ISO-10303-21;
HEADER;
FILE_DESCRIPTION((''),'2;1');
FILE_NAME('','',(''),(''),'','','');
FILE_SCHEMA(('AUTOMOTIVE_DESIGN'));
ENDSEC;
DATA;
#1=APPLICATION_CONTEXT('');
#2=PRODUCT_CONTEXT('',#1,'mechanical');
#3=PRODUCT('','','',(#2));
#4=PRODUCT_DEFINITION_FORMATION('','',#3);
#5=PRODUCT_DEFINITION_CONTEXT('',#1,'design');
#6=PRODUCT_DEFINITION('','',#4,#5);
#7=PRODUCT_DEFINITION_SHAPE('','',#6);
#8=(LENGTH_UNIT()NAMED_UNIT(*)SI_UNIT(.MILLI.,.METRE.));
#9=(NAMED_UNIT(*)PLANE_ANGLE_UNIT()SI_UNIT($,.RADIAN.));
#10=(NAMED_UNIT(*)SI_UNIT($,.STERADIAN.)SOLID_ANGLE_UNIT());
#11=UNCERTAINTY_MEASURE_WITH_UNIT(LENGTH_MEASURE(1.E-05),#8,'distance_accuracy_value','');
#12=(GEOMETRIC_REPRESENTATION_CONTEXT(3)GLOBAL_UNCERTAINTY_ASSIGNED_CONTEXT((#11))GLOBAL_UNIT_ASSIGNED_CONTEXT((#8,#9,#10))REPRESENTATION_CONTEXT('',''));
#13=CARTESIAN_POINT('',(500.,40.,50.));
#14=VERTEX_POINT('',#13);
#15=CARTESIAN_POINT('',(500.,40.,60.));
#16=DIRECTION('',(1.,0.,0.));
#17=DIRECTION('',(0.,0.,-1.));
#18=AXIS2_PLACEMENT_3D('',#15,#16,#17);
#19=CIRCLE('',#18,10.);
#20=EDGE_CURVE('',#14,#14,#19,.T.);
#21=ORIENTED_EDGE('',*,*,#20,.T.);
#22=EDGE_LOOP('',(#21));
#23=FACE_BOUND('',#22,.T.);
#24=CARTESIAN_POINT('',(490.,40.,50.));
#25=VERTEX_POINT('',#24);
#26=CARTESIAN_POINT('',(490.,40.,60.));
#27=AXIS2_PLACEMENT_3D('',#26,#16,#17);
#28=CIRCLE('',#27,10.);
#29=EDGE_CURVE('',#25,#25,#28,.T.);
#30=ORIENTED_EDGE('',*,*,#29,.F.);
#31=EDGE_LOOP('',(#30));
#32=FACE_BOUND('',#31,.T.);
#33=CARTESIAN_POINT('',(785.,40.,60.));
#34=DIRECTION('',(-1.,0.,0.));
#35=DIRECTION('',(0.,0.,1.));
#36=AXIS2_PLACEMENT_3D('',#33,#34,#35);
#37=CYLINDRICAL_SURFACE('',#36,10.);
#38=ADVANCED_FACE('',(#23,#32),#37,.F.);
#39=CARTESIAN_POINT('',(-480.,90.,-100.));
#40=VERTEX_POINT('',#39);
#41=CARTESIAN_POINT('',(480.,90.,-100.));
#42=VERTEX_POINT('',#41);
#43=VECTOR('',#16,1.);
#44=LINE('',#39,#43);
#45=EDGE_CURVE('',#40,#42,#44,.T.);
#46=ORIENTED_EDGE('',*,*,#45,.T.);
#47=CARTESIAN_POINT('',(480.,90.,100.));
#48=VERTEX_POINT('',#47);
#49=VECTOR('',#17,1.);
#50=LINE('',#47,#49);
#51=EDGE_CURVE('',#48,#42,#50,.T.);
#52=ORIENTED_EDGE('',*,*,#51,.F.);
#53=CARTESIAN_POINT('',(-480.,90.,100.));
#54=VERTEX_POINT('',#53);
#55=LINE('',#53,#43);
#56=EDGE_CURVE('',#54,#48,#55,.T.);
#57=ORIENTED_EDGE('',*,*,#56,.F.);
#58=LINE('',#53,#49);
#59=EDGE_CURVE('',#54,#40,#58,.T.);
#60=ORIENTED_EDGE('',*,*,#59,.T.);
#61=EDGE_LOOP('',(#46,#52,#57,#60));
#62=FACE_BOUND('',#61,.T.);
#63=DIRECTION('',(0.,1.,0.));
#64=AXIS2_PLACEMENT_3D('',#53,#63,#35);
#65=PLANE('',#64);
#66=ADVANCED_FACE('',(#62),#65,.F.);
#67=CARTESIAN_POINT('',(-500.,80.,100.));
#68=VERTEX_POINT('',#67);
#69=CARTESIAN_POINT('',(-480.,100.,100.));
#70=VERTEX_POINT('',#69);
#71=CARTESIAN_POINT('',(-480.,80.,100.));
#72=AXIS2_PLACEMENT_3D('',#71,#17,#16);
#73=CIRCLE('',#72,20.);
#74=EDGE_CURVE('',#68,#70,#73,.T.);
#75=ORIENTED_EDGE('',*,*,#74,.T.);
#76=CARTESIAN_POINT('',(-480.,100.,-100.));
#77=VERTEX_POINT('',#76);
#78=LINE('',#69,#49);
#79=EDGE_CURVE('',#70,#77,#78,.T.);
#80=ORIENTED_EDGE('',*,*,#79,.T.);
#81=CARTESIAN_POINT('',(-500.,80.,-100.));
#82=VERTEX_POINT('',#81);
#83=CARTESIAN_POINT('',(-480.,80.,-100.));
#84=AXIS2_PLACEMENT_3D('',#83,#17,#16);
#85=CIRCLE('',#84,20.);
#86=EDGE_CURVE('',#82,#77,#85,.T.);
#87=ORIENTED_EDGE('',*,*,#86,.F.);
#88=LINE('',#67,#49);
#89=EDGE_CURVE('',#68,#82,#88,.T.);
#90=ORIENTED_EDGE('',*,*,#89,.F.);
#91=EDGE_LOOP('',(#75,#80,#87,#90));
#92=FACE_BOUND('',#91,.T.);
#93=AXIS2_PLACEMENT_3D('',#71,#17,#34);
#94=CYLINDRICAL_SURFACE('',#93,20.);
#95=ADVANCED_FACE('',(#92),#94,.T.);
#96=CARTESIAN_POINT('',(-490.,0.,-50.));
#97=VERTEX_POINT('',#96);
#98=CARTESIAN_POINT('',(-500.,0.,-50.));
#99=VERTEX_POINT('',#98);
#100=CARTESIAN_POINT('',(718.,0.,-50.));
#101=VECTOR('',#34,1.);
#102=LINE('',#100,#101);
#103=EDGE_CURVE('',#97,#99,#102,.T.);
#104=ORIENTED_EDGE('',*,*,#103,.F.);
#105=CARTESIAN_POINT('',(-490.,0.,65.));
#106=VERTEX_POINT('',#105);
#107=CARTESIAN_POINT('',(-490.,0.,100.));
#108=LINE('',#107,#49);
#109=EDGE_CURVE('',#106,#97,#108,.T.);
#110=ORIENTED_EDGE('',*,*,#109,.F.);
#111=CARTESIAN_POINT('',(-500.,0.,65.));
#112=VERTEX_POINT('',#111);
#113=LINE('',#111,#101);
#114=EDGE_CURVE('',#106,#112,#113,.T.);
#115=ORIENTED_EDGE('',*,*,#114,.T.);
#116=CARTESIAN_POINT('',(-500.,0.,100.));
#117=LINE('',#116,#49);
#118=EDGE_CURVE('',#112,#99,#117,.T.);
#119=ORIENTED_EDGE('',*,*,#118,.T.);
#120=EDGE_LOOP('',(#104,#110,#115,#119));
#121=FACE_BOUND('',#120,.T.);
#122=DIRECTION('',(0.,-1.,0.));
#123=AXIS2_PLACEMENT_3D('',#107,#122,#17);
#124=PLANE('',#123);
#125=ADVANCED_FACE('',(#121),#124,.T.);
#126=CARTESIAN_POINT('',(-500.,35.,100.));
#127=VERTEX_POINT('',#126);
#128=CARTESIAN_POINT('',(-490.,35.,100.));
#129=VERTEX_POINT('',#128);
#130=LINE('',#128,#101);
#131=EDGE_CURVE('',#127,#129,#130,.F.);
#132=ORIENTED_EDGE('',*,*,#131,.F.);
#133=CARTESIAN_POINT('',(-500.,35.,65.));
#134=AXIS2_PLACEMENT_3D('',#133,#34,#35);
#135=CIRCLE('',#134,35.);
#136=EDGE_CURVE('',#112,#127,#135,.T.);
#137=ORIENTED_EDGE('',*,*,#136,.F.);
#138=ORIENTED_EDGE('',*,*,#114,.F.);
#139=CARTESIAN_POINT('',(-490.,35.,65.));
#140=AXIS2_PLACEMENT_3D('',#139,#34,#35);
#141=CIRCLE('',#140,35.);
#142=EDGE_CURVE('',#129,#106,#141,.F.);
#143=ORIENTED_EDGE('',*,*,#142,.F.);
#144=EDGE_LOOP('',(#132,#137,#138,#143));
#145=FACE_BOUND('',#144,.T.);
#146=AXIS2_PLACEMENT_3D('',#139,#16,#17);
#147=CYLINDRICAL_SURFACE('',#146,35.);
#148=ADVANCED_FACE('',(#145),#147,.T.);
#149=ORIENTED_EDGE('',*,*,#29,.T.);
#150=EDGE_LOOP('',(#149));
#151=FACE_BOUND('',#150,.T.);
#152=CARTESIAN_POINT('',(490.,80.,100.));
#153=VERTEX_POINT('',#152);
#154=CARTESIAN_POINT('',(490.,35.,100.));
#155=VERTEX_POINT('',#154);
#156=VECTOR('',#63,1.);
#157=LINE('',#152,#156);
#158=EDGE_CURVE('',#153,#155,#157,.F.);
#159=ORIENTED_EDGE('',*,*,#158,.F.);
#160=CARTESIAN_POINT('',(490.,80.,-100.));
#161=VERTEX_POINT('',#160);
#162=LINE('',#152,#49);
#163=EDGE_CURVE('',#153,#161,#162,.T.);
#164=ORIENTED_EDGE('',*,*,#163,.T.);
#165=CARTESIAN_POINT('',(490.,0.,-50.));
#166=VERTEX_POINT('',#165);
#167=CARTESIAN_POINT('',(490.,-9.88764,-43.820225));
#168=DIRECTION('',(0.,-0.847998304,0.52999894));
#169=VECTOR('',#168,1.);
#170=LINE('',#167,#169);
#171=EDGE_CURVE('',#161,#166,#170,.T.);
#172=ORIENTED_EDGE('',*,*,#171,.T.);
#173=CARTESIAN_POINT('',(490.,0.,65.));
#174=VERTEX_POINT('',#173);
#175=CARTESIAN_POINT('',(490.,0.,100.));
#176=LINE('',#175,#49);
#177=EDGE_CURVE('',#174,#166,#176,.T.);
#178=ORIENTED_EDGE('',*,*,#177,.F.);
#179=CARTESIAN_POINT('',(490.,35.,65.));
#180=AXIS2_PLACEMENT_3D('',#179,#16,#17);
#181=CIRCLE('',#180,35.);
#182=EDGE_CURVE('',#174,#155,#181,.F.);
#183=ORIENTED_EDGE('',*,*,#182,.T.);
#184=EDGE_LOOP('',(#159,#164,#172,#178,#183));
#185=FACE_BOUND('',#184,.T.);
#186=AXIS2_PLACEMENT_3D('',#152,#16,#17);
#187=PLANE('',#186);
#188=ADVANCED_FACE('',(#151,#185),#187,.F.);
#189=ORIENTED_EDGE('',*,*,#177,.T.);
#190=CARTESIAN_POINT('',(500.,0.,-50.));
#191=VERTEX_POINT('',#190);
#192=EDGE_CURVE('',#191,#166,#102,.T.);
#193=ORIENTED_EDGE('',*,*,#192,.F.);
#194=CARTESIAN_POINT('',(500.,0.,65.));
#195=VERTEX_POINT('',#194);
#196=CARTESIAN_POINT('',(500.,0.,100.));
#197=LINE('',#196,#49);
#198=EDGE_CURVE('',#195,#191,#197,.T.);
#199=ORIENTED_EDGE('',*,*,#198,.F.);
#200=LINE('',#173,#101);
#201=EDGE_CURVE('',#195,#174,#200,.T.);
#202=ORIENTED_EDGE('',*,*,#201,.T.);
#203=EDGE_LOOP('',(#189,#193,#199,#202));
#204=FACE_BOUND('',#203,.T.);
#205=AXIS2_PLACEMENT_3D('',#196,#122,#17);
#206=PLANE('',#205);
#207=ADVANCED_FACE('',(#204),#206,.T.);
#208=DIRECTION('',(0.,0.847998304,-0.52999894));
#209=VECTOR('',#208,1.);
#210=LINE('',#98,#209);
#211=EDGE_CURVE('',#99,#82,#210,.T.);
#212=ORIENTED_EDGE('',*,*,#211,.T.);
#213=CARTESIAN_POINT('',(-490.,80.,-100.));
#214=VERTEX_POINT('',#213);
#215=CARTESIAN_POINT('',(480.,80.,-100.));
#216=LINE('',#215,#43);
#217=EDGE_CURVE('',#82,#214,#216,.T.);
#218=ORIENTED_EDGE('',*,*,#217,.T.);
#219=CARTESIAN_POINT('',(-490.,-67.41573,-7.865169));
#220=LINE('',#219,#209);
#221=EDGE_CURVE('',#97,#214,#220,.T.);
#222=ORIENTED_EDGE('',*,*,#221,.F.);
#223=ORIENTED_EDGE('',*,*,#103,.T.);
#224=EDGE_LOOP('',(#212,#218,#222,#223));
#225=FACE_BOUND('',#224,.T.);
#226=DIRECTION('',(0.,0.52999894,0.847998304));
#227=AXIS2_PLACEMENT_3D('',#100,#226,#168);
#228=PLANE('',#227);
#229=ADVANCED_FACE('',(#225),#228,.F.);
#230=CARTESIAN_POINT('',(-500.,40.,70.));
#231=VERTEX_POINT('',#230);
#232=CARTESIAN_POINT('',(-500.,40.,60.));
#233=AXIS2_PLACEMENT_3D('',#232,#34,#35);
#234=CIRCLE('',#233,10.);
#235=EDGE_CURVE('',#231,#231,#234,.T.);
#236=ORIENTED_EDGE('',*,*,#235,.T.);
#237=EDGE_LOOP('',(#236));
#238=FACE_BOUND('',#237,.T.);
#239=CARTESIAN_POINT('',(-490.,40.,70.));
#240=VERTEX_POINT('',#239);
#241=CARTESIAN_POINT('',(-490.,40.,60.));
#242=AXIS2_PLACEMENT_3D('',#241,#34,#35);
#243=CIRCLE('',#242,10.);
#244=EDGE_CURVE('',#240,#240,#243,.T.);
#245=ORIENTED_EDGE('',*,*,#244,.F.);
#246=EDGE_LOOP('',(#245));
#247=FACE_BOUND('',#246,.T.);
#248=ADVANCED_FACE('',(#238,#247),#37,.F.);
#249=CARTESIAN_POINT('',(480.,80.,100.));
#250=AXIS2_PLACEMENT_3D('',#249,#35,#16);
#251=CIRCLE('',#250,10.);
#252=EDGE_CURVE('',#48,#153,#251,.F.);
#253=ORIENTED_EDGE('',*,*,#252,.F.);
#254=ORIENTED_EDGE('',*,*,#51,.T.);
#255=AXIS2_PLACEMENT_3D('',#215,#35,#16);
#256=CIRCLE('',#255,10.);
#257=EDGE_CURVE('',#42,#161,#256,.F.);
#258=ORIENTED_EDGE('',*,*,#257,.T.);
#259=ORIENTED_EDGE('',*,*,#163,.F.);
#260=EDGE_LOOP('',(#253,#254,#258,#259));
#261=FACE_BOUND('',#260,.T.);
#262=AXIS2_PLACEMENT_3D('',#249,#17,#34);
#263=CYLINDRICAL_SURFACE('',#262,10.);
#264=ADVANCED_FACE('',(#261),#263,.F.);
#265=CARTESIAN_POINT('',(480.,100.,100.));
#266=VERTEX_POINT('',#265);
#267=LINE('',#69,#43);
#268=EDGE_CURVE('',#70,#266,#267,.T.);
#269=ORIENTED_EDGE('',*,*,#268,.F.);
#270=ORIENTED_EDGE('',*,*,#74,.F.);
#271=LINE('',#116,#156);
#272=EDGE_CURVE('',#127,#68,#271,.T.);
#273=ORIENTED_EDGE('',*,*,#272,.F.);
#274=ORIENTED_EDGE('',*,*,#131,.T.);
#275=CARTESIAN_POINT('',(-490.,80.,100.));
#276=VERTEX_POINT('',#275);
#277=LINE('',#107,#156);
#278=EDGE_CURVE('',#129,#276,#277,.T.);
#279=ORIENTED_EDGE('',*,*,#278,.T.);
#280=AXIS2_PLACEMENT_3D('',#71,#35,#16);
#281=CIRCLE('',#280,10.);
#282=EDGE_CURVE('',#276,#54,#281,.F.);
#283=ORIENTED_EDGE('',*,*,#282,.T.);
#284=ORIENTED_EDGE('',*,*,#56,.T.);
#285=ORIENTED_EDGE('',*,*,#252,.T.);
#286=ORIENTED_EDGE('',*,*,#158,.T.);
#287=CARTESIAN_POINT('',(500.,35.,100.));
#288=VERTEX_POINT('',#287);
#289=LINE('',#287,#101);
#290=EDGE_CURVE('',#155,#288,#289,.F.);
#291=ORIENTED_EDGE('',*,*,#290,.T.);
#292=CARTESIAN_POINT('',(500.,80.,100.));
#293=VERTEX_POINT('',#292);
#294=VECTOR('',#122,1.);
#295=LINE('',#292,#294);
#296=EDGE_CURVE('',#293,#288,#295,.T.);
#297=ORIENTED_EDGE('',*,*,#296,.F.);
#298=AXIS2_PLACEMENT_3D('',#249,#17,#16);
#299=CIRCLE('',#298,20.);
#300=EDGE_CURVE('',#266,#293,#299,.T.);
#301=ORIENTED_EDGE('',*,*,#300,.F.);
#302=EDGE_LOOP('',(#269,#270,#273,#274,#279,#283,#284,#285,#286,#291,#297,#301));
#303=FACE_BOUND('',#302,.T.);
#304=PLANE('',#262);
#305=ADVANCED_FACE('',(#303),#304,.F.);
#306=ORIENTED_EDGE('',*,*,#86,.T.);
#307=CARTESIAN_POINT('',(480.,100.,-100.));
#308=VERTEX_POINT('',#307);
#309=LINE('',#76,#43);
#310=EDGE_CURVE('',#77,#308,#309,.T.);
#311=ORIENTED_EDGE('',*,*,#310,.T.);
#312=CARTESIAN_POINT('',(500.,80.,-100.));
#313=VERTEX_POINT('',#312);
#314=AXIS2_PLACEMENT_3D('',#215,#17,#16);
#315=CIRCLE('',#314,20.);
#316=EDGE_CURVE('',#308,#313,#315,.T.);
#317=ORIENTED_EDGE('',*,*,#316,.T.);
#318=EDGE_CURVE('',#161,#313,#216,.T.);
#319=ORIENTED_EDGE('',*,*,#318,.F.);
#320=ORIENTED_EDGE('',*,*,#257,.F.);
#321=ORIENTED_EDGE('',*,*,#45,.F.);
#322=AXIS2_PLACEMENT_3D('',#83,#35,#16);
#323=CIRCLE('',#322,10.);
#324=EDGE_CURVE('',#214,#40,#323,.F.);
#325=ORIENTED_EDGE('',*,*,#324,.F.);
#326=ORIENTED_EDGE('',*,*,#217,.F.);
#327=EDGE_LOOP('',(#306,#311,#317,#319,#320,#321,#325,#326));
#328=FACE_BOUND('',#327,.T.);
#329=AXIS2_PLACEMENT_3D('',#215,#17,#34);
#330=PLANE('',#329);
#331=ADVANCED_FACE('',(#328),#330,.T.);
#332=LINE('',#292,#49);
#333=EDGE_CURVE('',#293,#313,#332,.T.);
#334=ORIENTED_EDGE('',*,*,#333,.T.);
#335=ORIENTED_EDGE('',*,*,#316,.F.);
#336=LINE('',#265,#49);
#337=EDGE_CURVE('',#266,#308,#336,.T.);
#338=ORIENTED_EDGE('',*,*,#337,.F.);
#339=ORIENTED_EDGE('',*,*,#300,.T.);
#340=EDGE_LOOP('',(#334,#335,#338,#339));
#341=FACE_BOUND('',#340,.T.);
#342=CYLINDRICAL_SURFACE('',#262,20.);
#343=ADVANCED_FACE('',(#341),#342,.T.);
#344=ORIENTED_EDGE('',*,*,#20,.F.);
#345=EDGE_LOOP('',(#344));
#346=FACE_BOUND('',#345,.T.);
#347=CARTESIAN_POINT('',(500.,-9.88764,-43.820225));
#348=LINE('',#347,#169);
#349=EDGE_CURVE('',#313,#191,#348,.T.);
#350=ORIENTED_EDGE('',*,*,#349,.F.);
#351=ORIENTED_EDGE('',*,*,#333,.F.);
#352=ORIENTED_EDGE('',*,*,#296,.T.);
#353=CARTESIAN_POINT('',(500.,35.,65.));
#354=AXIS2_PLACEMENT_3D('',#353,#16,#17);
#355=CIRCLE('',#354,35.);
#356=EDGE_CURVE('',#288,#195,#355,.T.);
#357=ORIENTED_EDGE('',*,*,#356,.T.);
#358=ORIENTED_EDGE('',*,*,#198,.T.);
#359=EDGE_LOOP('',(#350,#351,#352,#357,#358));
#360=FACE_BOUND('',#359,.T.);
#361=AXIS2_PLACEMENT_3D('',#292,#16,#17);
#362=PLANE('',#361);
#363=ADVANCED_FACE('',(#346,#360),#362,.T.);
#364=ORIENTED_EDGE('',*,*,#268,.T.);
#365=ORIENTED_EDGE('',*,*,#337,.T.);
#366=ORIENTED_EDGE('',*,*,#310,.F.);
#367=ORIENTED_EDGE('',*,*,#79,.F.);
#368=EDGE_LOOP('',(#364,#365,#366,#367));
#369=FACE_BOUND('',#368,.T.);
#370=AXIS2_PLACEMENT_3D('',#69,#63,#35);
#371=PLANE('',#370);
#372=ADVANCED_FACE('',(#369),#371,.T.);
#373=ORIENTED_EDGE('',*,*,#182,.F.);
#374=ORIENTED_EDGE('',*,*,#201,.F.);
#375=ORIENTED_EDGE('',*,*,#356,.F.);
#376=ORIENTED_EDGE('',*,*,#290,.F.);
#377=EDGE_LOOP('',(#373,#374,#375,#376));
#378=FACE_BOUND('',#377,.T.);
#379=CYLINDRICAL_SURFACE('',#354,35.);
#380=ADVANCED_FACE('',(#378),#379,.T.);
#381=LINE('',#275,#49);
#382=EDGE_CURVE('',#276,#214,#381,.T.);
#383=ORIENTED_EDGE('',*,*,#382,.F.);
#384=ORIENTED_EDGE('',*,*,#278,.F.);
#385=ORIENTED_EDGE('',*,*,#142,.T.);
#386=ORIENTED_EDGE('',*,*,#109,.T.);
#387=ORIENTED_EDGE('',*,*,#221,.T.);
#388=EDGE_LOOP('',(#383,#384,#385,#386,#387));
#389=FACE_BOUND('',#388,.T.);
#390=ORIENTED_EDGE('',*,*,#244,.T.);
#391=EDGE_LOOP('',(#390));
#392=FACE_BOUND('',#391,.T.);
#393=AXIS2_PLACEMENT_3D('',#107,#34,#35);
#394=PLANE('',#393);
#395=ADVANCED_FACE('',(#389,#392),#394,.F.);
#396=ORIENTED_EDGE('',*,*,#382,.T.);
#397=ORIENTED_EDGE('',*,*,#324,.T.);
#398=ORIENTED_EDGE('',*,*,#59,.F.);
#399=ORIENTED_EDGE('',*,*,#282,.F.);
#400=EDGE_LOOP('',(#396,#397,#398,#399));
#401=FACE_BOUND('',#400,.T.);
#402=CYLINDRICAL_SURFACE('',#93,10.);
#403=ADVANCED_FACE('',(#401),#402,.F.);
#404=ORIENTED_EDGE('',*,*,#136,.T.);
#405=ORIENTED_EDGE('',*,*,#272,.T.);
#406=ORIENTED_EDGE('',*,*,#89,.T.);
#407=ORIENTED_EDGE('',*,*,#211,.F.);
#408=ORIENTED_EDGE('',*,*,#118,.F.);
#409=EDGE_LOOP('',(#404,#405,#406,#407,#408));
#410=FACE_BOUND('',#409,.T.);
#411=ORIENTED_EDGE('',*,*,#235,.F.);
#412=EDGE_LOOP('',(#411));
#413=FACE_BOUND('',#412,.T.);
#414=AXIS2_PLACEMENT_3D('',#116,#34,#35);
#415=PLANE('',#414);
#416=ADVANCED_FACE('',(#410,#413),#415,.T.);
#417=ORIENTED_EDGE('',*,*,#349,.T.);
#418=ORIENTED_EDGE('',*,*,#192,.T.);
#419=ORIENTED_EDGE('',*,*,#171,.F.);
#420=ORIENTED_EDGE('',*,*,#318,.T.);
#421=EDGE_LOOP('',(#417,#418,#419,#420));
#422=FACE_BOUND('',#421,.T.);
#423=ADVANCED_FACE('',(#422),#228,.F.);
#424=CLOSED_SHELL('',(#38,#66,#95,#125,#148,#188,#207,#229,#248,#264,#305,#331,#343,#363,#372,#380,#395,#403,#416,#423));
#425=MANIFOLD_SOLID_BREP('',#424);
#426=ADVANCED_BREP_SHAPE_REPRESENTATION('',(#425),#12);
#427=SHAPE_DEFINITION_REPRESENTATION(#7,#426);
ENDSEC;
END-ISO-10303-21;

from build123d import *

# Parameters (mm, degrees)
EXTRUDE_THIN1_DEPTH = 100
CUT_EXTRUDE1_DEPTH  = 1218
SKETCH4_R           = 10
CUT_EXTRUDE2_DEPTH  = 1285
FILLET1_R           = 35


with BuildPart() as part:
    # Sketch2 → Extrude-Thin1 (new, symmetric)
    with BuildSketch(Plane.XY):
        with BuildLine():
            Line((-500, 0), (-500, 80))
            ThreePointArc((-500, 80), (-494.142135624, 94.142135624), (-480, 100))
            Line((-480, 100), (480, 100))
            ThreePointArc((480, 100), (494.142135624, 94.142135624), (500, 80))
            Line((500, 80), (500, 0))
            Line((500, 0), (490, 0))
            Line((490, 0), (490, 80))
            ThreePointArc((490, 80), (487.071067812, 87.071067812), (480, 90))
            Line((480, 90), (-480, 90))
            ThreePointArc((-480, 90), (-487.071067812, 87.071067812), (-490, 80))
            Line((-490, 80), (-490, 0))
            Line((-490, 0), (-500, 0))
        make_face()
    extrude(amount=EXTRUDE_THIN1_DEPTH, both=True)

    # Sketch3 → Cut-Extrude1 (cut)
    with BuildSketch(Plane.ZY.offset(500)):
        Polygon((-100, 80), (-100, 0), (-50, 0), align=None)
    extrude(amount=-CUT_EXTRUDE1_DEPTH, mode=Mode.SUBTRACT)

    # Sketch4 → Cut-Extrude2 (cut)
    with BuildSketch(Plane.ZY.offset(500)):
        with Locations((60, 40)):
            Circle(SKETCH4_R)
    extrude(amount=-CUT_EXTRUDE2_DEPTH, mode=Mode.SUBTRACT)

    # Fillet1
    fillet1_edges = [part.edges().sort_by_distance(p)[0] for p in [
        (-495, 0, 100),
        (495, 0, 100),
    ]]
    fillet(fillet1_edges, radius=FILLET1_R)


solid = part.part
